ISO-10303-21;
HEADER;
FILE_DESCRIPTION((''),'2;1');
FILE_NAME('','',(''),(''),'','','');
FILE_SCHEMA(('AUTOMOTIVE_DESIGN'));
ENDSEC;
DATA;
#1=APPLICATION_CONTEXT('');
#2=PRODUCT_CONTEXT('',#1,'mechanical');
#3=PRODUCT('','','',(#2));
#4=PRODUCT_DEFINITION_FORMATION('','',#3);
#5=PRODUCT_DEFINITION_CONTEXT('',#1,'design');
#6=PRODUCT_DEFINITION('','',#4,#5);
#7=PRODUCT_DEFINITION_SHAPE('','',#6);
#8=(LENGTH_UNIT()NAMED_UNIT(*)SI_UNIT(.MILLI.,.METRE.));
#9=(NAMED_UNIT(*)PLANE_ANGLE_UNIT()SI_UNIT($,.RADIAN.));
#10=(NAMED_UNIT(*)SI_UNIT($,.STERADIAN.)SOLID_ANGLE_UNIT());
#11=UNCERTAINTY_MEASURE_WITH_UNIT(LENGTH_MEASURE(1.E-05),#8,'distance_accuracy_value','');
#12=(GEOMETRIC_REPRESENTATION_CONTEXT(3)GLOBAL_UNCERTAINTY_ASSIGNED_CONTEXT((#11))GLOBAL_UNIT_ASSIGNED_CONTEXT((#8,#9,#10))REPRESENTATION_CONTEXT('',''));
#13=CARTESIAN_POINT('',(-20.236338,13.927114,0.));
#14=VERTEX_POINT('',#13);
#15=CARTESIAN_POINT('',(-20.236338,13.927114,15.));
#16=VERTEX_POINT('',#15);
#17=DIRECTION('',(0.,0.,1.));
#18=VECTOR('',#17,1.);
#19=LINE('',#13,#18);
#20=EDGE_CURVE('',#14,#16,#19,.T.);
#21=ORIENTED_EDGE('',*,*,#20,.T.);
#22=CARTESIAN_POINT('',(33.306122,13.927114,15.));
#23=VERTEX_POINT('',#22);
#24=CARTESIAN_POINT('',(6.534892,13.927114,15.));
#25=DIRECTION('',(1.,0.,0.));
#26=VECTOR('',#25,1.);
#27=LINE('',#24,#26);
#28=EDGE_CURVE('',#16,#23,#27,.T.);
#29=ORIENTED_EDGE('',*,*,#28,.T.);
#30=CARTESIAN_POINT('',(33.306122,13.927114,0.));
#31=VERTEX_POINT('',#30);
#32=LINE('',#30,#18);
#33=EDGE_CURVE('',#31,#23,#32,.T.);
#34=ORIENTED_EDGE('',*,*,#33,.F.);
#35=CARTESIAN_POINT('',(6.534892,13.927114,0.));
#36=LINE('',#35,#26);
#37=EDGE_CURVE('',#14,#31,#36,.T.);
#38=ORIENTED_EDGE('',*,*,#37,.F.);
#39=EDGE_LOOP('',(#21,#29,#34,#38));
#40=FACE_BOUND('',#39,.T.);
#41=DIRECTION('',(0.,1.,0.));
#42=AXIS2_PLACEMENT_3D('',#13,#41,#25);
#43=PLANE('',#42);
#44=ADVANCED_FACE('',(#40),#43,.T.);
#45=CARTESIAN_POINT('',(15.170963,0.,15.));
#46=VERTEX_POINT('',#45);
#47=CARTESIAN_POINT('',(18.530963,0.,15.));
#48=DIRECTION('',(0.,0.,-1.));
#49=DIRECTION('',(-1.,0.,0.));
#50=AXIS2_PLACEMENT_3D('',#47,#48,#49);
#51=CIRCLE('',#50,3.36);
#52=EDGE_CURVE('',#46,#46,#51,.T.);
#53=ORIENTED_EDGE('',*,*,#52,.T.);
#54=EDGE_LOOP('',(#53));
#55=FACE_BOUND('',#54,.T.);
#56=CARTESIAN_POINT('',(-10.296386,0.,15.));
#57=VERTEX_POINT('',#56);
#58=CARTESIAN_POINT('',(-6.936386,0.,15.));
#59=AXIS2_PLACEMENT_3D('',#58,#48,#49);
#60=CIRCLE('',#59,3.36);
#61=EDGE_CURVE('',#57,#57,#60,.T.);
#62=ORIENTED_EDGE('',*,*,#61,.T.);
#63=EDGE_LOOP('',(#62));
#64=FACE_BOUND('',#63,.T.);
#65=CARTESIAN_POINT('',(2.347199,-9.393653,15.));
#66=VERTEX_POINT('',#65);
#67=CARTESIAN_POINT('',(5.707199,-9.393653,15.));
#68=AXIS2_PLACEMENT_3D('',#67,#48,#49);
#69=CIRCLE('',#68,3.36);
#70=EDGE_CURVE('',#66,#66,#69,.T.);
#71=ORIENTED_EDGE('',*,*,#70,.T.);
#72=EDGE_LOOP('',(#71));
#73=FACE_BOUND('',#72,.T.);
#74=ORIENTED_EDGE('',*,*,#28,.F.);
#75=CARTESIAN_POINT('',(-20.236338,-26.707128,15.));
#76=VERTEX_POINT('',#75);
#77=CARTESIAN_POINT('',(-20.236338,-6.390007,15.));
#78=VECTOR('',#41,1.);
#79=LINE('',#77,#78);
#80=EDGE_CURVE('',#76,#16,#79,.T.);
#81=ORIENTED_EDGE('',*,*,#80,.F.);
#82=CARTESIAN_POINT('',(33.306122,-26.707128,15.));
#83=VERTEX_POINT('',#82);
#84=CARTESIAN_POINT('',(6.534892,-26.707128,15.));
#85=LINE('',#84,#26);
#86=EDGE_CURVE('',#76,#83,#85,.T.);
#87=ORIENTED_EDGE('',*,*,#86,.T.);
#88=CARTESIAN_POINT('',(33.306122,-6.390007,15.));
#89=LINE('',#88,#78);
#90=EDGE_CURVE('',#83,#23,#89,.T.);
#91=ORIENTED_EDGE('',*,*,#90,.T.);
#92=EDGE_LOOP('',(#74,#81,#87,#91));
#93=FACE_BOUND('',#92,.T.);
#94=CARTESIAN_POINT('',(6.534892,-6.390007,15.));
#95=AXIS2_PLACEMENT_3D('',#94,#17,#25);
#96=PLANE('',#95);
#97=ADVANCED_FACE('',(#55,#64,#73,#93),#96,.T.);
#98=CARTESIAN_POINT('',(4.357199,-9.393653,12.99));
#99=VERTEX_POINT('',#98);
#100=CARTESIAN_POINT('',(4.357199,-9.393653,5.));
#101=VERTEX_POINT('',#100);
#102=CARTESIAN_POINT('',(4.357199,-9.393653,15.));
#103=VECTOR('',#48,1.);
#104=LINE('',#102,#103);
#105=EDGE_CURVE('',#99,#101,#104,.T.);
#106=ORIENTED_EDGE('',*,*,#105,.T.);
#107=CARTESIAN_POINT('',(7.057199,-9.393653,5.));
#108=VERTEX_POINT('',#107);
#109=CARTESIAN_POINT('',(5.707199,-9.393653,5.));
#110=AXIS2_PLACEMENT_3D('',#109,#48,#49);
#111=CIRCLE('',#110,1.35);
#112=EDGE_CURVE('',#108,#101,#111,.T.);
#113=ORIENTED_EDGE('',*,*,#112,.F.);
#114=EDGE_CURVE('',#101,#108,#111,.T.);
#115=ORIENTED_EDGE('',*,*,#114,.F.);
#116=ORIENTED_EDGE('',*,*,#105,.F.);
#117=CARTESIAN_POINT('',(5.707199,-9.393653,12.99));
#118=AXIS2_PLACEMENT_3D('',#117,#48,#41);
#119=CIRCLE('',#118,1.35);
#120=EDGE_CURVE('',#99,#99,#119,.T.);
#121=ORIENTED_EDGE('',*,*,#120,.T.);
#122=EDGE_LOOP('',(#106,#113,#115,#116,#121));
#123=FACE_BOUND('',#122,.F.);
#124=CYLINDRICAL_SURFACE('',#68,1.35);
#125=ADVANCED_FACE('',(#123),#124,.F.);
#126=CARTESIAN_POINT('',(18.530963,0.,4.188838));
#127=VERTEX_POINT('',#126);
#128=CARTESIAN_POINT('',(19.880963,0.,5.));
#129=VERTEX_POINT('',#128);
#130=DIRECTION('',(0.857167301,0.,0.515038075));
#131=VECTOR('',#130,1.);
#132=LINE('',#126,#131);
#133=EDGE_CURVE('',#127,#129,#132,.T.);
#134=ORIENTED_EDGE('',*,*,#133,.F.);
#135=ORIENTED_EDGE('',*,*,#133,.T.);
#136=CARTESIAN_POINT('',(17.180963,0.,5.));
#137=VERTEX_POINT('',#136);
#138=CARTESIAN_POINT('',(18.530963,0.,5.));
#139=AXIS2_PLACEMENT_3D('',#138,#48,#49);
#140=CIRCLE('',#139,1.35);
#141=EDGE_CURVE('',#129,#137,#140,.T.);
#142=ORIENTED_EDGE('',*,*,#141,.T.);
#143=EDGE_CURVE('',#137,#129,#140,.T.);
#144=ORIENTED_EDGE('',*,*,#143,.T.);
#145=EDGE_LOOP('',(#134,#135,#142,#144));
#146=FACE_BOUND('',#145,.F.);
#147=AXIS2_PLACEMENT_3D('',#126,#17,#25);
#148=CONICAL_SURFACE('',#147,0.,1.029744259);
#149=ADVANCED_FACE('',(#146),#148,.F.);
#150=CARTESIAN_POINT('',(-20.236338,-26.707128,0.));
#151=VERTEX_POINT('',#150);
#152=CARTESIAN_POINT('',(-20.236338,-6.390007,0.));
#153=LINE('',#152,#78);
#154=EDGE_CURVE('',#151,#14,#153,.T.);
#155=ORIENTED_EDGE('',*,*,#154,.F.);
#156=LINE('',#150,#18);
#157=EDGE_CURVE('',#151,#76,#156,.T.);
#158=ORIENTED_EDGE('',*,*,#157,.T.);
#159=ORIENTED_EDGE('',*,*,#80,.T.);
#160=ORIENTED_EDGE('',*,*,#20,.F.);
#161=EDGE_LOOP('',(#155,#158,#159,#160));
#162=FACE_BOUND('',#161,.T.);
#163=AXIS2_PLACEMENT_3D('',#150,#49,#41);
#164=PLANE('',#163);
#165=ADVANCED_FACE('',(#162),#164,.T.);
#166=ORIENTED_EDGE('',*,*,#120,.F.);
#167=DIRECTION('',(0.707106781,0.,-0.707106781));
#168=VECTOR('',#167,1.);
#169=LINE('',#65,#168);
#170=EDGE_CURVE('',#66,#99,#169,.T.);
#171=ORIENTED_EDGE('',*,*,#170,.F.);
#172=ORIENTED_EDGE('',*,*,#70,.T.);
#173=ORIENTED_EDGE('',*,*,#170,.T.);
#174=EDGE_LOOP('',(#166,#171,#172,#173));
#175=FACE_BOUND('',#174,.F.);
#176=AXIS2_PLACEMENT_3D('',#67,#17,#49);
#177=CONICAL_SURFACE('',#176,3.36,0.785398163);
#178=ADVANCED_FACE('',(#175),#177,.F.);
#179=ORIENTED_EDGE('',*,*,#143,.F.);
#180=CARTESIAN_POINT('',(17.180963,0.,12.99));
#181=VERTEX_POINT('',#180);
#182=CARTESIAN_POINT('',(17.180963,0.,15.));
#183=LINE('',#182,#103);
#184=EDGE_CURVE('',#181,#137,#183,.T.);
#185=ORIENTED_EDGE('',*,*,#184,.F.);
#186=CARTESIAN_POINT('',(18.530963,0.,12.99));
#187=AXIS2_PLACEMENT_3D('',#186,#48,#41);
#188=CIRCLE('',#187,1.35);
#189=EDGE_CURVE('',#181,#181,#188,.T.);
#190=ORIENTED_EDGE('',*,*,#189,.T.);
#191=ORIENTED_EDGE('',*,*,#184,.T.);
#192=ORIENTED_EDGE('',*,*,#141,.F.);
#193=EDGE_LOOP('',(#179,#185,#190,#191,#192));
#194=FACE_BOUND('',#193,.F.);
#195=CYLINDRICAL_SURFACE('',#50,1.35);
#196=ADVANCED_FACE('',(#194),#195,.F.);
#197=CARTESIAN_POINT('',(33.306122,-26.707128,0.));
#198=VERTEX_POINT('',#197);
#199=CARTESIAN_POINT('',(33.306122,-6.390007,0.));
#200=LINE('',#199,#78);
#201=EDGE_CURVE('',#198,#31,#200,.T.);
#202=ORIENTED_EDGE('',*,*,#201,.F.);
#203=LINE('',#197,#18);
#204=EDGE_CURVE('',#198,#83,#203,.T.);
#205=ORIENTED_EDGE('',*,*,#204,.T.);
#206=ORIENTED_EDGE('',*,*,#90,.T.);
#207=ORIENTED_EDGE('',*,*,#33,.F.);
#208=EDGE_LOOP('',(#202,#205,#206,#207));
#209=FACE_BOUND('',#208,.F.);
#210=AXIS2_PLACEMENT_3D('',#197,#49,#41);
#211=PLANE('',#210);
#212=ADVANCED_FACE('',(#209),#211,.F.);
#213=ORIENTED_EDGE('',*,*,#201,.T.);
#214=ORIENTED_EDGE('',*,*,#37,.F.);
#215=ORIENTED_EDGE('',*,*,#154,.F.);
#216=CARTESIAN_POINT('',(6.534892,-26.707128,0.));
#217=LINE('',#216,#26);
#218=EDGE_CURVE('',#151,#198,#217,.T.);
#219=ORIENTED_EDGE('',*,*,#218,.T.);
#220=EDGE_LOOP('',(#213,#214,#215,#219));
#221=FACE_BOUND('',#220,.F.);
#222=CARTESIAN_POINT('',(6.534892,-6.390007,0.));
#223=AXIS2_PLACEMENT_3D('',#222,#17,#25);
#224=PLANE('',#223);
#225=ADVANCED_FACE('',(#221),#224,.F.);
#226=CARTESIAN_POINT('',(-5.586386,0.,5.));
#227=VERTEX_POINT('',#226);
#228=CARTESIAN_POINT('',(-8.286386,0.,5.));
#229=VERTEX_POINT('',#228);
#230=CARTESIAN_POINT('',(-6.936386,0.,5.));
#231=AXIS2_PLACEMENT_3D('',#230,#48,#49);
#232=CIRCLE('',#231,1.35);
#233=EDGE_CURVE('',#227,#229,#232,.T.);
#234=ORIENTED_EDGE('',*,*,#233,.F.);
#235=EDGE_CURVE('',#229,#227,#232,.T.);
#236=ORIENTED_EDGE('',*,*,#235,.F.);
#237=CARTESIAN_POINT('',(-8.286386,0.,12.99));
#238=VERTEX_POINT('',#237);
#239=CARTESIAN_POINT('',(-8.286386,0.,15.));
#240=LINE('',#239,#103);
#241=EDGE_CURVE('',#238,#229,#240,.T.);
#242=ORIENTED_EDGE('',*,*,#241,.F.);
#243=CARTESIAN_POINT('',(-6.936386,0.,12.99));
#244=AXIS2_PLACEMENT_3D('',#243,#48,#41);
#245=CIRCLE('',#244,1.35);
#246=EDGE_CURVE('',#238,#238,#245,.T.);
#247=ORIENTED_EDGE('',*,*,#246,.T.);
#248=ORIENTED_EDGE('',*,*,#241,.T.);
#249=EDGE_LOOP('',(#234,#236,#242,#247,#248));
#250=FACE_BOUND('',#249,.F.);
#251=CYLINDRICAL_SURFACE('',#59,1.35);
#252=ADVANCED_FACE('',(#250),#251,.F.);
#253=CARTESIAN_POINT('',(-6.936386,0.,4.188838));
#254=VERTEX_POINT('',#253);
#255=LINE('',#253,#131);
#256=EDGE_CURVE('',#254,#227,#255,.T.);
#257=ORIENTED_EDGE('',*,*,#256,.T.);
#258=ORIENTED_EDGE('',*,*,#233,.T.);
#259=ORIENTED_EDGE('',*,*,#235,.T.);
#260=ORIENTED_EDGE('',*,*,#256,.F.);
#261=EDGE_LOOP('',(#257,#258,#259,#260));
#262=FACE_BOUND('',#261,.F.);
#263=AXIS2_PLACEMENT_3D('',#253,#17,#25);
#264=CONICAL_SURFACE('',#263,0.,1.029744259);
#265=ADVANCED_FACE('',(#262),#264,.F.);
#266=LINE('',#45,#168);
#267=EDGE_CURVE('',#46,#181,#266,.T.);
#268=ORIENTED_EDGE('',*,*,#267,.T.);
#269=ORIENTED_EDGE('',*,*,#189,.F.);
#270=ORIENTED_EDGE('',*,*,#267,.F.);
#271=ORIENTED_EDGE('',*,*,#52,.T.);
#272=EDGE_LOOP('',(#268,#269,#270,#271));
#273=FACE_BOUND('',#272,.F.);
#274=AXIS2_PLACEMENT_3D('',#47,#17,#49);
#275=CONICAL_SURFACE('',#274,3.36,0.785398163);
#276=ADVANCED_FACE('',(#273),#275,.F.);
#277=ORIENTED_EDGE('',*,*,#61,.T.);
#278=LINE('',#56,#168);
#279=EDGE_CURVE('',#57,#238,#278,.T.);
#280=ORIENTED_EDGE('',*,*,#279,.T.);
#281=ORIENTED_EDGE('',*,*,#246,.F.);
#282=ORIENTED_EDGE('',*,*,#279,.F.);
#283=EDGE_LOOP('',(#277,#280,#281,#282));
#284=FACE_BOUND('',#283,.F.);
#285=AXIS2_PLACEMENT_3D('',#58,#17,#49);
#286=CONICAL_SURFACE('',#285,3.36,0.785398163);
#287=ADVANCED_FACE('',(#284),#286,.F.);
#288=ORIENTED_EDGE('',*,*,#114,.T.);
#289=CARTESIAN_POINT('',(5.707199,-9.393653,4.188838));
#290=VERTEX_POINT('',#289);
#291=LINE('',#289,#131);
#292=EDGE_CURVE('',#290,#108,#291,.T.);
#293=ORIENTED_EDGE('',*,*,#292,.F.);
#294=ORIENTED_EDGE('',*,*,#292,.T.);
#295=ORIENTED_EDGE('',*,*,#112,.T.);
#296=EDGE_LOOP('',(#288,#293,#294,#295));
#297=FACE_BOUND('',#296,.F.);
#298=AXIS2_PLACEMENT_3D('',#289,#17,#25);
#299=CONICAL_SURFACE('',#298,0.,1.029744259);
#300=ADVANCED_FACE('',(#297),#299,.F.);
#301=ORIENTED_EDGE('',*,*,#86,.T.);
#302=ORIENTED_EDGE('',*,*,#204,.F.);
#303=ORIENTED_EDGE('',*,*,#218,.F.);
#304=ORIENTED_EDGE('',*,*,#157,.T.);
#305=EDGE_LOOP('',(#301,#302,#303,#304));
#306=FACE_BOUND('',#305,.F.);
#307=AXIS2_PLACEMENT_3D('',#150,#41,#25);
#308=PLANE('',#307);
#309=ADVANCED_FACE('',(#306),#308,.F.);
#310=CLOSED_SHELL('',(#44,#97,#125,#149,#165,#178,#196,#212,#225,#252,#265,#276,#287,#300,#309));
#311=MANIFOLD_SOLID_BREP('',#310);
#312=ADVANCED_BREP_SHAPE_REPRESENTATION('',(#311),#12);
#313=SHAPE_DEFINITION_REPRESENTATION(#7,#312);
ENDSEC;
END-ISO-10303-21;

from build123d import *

# Parameters (mm, degrees)
F0_W           = 53.5424593836
F0_H           = 40.6342418864
F1_DEPTH       = 15
F3_D           = 2.7
F3_DEPTH       = 10
F3_CSINK_D     = 6.72
F3_CSINK_ANGLE = 90
F3_TIP         = 0.8111618357


with BuildPart() as f1:
    # F0 (on Top) → F1 (new body)
    with BuildSketch(Plane.XY):
        with Locations((6.5348921344, -6.3900067471)):
            Rectangle(F0_W, F0_H)
    extrude(amount=F1_DEPTH)

    # F3
    with Locations(Plane.XY.offset(15)):
        with Locations((-6.9363857619, 0), (5.707198754, -9.3936529011), (18.5309629887, 0)):
            CounterSinkHole(F3_D / 2, F3_CSINK_D / 2, depth=F3_DEPTH, counter_sink_angle=F3_CSINK_ANGLE)
            with Locations((0, 0, -(F3_DEPTH + F3_TIP / 2))):  # 118° drill point
                Cone(0, F3_D / 2, F3_TIP, mode=Mode.SUBTRACT)


solid = f1.part
